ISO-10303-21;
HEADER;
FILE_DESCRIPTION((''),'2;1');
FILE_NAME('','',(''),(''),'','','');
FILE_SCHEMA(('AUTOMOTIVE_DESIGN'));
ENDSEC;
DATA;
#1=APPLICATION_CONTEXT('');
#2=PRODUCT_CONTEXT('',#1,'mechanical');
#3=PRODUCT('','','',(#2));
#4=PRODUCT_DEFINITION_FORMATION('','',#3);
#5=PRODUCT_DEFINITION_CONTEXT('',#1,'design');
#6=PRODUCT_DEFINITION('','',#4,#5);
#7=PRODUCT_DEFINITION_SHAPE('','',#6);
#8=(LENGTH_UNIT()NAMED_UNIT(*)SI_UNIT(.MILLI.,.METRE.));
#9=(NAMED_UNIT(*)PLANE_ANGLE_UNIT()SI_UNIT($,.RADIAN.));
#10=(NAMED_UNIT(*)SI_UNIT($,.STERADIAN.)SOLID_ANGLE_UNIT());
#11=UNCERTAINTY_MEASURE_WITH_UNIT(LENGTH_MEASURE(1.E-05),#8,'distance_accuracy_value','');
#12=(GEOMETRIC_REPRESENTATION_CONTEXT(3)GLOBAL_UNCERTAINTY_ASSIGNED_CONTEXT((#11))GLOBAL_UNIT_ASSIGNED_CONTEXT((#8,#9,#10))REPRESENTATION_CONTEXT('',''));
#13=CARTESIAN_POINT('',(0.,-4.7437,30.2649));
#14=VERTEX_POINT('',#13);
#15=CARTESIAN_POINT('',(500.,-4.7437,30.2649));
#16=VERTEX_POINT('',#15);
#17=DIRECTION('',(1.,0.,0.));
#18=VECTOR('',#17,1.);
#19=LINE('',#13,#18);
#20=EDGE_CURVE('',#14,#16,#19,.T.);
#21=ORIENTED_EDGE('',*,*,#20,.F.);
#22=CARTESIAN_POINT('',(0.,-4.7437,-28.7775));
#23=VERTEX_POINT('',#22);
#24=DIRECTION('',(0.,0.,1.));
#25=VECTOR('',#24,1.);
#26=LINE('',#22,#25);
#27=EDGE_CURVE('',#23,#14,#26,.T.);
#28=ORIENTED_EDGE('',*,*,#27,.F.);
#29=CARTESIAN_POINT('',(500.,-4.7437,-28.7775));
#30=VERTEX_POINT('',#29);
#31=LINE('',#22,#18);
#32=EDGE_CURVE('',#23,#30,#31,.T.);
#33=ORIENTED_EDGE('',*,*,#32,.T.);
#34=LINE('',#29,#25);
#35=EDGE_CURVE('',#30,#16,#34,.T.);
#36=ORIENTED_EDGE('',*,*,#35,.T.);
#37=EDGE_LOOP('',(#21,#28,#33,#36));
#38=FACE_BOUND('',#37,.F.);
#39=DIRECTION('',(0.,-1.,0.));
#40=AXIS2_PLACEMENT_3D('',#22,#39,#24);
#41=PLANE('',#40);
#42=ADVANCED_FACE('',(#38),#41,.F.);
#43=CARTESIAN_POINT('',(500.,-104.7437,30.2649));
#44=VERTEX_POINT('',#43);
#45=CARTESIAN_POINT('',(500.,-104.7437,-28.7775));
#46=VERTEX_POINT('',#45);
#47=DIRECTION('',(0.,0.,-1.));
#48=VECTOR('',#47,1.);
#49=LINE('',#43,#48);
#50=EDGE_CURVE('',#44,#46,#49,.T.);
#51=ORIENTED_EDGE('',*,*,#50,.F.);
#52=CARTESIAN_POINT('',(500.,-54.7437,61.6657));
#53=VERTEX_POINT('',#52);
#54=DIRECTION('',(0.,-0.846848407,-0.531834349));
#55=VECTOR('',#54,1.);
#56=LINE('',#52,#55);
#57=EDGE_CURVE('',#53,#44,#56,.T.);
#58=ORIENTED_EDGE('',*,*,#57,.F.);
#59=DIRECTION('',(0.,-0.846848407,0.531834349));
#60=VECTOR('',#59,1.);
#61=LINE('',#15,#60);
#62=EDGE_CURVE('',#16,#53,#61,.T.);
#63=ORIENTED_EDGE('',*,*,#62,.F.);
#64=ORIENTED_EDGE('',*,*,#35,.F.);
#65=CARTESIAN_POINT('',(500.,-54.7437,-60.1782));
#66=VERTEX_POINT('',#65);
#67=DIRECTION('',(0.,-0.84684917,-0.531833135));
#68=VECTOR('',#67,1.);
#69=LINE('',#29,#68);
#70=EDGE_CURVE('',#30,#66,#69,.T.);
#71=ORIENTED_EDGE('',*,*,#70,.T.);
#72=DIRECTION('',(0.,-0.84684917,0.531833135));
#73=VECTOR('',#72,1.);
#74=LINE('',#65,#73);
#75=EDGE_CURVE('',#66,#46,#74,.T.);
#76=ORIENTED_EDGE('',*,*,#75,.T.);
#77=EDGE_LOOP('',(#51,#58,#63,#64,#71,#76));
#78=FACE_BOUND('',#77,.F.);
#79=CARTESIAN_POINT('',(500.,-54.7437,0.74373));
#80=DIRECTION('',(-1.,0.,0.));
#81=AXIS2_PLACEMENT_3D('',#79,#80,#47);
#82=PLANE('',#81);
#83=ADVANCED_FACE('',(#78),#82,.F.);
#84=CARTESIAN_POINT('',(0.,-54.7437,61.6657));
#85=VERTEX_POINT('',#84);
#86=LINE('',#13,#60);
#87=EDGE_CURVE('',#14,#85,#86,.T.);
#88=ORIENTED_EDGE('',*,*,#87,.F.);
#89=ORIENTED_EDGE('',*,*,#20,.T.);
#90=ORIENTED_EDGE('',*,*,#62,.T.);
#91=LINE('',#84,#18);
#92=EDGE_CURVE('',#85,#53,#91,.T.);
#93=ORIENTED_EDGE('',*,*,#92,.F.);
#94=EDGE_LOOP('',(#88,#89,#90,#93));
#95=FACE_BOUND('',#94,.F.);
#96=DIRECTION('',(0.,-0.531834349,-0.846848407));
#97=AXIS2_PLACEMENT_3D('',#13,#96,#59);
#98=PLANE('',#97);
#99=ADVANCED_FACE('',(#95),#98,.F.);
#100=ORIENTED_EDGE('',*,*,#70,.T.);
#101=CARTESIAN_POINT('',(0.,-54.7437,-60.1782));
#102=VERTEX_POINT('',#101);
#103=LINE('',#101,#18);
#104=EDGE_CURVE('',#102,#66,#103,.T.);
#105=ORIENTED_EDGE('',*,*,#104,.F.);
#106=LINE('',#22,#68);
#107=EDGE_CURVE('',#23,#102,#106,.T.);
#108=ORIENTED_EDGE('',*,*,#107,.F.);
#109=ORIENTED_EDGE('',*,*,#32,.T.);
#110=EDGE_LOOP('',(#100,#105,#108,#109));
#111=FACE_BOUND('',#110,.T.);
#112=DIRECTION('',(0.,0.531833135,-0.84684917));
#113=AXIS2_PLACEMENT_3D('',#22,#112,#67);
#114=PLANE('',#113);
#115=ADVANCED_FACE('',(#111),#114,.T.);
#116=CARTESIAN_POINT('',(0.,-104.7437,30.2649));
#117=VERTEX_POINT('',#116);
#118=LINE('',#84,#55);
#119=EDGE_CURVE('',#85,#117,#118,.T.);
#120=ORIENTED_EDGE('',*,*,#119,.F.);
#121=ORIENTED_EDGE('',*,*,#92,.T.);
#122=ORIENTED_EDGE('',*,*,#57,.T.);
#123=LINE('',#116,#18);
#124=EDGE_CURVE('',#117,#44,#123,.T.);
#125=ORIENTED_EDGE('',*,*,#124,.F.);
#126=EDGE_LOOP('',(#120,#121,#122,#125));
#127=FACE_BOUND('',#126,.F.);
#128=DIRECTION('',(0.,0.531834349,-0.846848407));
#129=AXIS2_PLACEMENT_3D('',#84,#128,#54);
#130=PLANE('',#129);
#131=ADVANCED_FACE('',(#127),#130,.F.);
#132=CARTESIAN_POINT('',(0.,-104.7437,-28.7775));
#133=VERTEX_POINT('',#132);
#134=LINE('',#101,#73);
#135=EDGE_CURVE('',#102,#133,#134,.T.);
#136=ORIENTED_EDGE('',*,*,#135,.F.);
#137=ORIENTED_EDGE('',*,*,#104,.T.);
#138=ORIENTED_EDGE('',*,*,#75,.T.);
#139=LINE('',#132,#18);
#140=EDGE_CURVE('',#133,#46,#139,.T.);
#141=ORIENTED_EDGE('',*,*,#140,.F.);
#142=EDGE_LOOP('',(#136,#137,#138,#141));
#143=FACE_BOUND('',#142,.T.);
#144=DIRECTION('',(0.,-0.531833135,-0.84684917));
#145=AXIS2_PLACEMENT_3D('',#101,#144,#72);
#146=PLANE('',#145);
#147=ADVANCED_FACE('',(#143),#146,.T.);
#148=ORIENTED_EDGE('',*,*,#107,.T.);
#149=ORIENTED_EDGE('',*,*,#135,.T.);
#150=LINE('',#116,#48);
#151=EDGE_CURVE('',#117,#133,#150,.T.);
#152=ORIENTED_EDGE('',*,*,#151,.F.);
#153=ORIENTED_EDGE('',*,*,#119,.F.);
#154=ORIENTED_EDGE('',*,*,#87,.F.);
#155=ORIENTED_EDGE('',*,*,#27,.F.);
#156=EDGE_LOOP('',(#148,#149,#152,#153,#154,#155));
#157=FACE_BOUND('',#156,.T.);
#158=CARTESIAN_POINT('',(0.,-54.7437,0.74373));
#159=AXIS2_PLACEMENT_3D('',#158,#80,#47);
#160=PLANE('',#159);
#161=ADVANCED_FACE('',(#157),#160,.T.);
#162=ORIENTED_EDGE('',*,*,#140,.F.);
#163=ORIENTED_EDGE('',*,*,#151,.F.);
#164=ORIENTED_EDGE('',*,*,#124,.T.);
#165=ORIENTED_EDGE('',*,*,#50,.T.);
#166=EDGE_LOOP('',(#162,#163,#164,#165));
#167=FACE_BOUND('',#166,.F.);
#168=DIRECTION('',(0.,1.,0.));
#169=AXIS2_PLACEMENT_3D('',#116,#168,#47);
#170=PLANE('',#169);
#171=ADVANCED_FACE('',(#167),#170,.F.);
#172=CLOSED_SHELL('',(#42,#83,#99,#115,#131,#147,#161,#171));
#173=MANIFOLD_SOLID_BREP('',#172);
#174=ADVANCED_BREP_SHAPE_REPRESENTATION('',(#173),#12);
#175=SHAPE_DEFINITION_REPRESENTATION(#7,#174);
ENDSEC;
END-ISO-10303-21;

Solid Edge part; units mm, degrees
sketch "Sketch1" plane through (0, 0, 0) normal (1, 0, 0) x (0, 1, 0)
  line L0 (-4.7437, -28.7775) -> (-54.7437, -60.1782)
  line L1 (-54.7437, -60.1782) -> (-104.7437, -28.7775)
  line L2 (-104.7437, 30.2649) -> (-104.7437, -28.7775)
  line L3 (-54.7437, 61.6657) -> (-104.7437, 30.2649)
  line L4 (-4.7437, 30.2649) -> (-54.7437, 61.6657)
  line L5 (-4.7437, -28.7775) -> (-4.7437, 30.2649)
  dimension "D1" = 100
extrude "Protrusion1" add sketch "Sketch1" along normal blind 500
properties material "Steel"
